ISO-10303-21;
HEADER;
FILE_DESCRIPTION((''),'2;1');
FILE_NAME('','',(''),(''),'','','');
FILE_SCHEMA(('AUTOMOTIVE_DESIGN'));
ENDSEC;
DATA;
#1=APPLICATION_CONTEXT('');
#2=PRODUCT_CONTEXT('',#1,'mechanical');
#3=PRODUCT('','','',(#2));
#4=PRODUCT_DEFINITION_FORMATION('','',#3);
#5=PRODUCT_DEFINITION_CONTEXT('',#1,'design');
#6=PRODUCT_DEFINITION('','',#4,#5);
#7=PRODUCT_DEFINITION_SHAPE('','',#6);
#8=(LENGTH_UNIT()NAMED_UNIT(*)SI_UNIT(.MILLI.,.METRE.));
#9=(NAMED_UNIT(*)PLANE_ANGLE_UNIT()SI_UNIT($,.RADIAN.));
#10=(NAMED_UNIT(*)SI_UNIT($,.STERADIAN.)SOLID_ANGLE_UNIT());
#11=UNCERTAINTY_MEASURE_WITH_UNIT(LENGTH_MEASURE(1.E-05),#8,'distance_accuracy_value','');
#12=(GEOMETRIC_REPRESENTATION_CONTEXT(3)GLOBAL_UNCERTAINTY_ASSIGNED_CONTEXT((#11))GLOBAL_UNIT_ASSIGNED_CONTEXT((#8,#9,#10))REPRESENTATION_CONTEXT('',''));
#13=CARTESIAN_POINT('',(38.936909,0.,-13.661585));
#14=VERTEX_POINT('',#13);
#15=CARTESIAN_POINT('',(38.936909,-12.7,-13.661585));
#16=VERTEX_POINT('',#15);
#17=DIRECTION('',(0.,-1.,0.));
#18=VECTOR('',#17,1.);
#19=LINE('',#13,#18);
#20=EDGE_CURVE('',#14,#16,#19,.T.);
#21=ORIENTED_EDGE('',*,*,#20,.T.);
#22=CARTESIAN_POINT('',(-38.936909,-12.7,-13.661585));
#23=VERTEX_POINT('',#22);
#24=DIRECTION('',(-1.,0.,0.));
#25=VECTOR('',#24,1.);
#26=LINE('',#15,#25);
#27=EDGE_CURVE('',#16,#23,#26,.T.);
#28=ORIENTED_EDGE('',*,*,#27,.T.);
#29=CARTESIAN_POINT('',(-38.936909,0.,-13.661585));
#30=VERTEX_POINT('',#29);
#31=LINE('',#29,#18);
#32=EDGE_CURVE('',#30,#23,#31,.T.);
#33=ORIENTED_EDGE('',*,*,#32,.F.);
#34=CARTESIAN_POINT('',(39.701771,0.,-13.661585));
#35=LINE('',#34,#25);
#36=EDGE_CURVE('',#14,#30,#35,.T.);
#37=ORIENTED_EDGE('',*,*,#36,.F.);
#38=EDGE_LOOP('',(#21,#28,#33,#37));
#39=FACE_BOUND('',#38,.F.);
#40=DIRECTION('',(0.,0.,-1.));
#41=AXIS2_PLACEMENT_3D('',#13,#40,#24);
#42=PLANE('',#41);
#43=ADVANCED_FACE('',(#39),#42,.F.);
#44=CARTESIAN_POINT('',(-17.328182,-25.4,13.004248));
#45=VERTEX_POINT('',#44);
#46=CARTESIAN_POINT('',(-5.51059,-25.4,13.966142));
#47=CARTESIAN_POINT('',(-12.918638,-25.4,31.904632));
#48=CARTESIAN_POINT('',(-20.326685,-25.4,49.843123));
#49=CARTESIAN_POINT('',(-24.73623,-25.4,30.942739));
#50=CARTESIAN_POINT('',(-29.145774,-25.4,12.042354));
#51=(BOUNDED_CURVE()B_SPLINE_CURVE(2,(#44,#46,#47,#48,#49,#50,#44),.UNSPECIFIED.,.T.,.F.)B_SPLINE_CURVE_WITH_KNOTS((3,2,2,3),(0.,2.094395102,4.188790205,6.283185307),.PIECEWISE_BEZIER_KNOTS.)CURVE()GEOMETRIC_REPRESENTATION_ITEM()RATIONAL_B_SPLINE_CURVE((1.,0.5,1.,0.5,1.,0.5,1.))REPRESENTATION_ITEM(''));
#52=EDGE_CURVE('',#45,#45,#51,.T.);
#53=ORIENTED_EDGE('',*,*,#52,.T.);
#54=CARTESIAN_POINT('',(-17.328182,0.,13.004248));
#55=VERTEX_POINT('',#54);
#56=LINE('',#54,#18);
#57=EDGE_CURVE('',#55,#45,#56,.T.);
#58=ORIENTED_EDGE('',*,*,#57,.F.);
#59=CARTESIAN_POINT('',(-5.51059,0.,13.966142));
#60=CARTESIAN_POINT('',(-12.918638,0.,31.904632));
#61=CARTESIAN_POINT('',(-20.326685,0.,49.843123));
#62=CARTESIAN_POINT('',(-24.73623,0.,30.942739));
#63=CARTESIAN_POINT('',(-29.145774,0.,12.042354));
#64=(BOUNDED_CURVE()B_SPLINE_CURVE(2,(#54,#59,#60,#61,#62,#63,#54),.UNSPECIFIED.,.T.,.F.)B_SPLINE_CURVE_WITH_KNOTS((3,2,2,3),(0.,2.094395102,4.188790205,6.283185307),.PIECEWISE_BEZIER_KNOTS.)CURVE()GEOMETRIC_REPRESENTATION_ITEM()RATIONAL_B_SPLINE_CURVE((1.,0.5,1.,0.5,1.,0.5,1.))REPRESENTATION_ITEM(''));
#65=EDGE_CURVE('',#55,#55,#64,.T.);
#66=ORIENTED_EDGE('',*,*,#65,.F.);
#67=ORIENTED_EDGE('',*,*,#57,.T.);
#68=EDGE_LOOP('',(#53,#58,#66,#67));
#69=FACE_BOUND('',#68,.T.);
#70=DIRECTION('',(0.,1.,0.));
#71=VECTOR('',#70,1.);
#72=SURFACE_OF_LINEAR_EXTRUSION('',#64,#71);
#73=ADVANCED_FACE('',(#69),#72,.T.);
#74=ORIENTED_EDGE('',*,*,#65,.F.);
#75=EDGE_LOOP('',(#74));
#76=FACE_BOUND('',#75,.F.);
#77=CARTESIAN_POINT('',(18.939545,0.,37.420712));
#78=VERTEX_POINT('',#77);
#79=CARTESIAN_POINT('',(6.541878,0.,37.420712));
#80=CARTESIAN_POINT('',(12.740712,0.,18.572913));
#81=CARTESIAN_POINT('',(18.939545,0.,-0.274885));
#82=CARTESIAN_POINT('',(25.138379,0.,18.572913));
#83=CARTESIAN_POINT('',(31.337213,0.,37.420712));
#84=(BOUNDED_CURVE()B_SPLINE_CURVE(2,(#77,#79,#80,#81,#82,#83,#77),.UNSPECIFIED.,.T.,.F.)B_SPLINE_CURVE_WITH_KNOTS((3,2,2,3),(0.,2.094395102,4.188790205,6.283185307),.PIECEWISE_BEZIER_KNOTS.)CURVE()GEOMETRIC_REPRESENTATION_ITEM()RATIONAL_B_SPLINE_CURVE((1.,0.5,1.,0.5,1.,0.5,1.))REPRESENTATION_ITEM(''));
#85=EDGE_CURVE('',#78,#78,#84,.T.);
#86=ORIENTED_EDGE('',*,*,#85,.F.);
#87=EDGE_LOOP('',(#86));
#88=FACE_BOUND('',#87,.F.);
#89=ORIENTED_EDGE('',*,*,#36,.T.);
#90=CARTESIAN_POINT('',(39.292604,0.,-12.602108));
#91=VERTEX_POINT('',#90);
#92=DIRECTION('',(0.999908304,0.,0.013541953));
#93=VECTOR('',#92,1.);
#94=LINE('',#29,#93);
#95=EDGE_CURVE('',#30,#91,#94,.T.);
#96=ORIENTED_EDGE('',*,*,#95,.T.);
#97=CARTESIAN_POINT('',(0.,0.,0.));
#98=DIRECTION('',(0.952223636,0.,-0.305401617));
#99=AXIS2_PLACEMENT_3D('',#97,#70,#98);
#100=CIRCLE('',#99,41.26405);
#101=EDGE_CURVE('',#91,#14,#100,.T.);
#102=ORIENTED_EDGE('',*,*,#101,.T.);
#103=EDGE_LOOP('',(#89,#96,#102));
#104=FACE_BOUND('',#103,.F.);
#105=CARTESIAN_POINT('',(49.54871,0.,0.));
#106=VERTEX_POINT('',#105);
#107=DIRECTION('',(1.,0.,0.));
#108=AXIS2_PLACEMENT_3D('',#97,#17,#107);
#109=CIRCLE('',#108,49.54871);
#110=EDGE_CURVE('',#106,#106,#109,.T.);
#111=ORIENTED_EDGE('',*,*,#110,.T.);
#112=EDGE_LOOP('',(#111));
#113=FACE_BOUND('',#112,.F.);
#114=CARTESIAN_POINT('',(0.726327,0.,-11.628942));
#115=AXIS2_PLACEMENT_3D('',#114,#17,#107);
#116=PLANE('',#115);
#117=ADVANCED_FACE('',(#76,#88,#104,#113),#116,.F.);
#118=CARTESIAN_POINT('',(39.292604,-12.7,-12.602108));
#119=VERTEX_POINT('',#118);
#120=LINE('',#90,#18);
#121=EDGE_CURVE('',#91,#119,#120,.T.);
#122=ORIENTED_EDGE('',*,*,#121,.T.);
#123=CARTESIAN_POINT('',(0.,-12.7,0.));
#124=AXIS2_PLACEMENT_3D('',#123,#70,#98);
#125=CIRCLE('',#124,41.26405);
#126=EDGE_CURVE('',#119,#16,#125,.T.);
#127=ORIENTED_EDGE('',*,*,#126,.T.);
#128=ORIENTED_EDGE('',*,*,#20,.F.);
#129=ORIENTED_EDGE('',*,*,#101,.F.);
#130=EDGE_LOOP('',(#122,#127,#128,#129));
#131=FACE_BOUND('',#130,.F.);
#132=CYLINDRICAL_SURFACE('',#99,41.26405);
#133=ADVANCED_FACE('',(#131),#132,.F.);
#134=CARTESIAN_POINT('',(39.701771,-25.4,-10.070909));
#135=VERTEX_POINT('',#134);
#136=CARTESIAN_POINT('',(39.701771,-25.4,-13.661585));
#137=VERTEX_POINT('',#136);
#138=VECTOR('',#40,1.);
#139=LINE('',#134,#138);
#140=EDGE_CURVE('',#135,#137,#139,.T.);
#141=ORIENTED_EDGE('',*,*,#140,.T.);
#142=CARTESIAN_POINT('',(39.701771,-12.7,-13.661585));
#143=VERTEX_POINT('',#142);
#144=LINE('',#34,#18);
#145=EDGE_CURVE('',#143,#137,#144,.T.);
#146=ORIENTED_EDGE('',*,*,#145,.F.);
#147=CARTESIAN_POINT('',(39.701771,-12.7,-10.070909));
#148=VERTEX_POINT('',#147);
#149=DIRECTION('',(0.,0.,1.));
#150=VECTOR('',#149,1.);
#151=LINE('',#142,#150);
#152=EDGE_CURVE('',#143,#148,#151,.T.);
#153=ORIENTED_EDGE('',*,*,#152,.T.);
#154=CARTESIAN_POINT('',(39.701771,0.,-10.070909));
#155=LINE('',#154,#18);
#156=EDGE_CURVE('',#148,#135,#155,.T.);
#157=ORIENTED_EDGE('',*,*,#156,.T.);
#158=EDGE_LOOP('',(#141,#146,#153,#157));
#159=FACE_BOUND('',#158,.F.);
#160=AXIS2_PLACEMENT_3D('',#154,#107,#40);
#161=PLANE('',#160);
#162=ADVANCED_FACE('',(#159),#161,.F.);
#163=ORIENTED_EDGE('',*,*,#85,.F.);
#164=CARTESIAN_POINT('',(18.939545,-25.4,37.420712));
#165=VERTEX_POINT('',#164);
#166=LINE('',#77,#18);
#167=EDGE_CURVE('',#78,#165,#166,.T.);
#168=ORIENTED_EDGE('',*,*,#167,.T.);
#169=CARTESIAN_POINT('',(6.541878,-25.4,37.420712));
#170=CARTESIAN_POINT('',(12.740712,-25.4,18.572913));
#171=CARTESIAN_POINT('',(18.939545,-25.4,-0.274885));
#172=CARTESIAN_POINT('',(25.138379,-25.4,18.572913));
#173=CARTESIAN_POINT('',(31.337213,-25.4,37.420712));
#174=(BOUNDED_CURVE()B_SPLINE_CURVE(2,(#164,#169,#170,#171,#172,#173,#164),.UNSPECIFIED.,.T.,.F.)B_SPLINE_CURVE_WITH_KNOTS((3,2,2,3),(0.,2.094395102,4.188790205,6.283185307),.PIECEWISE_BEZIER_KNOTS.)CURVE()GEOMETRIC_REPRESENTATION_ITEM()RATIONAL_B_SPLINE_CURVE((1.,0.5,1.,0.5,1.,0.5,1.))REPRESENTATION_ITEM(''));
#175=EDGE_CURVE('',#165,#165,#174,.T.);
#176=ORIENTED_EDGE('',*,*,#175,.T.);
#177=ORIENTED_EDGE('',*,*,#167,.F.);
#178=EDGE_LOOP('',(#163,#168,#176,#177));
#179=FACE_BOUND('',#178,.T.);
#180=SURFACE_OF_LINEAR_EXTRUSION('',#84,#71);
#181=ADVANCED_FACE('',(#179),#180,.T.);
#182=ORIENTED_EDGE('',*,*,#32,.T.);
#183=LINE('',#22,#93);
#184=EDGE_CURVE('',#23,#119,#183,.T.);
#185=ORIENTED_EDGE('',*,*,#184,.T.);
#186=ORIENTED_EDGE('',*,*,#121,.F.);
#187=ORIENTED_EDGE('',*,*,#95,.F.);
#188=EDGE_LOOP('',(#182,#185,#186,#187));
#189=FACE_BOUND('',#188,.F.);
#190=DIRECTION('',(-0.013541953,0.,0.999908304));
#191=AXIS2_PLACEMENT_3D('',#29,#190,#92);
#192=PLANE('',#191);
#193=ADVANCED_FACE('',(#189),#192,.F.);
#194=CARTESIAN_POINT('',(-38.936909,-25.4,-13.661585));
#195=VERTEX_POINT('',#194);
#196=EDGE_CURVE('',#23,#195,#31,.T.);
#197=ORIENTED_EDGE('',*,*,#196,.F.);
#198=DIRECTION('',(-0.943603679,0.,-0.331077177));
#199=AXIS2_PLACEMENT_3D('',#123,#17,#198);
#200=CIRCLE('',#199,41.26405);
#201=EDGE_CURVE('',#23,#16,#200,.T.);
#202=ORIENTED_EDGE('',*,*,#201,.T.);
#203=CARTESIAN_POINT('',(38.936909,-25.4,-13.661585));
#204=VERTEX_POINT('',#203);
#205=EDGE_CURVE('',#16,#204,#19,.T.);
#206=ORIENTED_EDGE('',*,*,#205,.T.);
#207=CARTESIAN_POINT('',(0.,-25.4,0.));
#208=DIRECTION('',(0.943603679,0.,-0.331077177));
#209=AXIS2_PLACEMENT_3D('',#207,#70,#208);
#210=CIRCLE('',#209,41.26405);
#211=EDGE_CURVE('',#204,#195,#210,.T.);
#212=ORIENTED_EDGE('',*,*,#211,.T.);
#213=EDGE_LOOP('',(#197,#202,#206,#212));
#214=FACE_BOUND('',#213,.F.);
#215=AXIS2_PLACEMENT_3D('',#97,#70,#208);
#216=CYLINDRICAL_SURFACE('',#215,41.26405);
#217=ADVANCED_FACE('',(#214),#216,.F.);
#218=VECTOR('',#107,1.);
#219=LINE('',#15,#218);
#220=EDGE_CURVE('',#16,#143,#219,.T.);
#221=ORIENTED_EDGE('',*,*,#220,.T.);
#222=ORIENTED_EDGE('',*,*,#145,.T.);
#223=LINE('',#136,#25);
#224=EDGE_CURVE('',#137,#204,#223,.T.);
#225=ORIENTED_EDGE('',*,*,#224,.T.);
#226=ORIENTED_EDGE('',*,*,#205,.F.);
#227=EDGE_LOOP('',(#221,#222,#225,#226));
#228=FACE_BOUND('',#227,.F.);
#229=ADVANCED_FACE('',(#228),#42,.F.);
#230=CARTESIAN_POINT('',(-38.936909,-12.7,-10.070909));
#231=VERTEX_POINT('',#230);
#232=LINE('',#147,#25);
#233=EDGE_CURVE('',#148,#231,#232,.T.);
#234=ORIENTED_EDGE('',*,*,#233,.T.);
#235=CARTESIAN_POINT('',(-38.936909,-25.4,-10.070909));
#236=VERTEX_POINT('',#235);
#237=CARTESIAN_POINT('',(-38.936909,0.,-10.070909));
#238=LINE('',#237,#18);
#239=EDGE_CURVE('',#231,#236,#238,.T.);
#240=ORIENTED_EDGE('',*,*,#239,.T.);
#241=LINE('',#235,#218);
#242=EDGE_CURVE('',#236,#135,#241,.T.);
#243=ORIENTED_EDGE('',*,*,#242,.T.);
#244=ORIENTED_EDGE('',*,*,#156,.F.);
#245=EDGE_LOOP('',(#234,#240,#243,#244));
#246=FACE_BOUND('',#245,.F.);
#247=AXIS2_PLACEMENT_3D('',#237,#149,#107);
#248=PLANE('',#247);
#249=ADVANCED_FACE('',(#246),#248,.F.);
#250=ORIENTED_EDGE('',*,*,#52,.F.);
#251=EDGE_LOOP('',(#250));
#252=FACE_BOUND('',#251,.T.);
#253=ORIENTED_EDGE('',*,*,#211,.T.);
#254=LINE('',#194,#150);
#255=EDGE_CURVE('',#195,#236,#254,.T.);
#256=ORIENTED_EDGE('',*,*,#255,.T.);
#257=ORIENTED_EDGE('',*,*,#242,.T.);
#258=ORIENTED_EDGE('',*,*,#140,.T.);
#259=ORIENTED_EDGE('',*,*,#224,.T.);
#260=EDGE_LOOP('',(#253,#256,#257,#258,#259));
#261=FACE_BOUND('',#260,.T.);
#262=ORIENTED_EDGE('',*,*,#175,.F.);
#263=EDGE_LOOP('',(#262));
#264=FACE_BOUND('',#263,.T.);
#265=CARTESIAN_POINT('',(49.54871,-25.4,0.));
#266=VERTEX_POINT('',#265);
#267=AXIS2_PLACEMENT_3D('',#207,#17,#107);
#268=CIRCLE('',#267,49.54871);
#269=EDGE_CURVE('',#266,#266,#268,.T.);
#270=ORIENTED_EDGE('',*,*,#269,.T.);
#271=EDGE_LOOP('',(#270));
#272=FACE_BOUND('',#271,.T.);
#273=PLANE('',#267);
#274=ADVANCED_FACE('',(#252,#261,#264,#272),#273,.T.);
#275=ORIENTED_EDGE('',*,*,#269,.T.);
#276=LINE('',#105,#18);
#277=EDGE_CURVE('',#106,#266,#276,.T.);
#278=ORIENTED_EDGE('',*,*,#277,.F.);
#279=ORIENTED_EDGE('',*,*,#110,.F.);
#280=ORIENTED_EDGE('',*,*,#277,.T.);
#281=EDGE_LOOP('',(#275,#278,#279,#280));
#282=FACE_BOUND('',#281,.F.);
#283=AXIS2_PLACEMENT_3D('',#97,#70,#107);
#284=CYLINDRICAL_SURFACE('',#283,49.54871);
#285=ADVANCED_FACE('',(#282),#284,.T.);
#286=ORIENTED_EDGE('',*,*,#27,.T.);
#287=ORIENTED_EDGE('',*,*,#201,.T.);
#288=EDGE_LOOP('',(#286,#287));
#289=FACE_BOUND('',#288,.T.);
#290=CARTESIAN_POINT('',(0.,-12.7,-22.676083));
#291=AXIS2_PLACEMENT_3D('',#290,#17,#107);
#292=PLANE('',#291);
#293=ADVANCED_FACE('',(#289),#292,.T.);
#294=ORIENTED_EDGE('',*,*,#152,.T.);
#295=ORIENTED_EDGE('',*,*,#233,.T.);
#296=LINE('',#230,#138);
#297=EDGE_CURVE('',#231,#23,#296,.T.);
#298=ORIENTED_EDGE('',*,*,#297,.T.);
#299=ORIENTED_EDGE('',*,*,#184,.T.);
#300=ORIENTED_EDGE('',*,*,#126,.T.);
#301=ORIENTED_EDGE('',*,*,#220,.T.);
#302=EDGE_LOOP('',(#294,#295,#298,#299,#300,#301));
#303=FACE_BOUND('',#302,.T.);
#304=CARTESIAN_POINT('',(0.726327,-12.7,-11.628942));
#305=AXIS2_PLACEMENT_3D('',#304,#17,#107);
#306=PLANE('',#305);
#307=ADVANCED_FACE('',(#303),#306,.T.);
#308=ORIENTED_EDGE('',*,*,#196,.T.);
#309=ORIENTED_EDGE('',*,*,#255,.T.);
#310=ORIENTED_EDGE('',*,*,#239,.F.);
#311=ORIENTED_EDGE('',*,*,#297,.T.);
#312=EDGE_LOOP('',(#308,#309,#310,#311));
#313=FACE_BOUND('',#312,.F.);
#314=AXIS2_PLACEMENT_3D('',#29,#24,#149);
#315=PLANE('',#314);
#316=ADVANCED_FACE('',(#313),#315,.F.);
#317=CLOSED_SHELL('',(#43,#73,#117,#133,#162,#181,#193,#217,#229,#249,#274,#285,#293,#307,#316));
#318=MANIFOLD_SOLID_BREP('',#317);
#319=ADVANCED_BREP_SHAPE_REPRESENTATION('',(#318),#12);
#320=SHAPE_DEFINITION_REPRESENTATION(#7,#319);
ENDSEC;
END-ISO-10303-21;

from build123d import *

# Parameters (mm, degrees)
F0_R     = 49.5487095178
F1_DEPTH = 25.4
F2_DEPTH = 12.7
F3_DEPTH = 12.7


with BuildPart() as f1:
    # F0 (on Front) → F1 (new body)
    with BuildSketch(Plane.XZ):
        Circle(F0_R)
        with BuildLine():
            Line((39.7017709911, -13.6615851751), (38.9369094103, -13.6615851751))
            ThreePointArc((38.9369094103, -13.6615851751), (0, -41.2640500184), (-38.9369094103, -13.6615851751))
            Line((-38.9369094103, -13.6615851751), (-38.9369094103, -10.0709088147))
            Line((-38.9369094103, -10.0709088147), (39.7017709911, -10.0709088147))
            Line((39.7017709911, -10.0709088147), (39.7017709911, -13.6615851751))
        make_face(mode=Mode.SUBTRACT)
        with BuildLine():
            add(Edge.make_bspline(
                [(-17.3281822354, 13.0042480305), (-5.5105900176, 13.9661418094), (-12.918637589, 31.904632496), (-20.3266851604, 49.8431231827), (-24.7362298067, 30.9427387171), (-29.1457744531, 12.0423542516), (-17.3281822354, 13.0042480305)],
                knots=[0, 0, 0, 2.0943951024, 2.0943951024, 4.1887902048, 4.1887902048, 6.2831853072, 6.2831853072, 6.2831853072], degree=2, weights=[1, 0.5, 1, 0.5, 1, 0.5, 1]))
        make_face(mode=Mode.SUBTRACT)
        with BuildLine():
            add(Edge.make_bspline(
                [(18.9395453781, 37.4207124114), (6.5418776512, 37.4207124114), (12.7407115146, 18.5729134828), (18.9395453781, -0.2748854458), (25.1383792415, 18.5729134828), (31.337213105, 37.4207124114), (18.9395453781, 37.4207124114)],
                knots=[0, 0, 0, 2.0943951024, 2.0943951024, 4.1887902048, 4.1887902048, 6.2831853072, 6.2831853072, 6.2831853072], degree=2, weights=[1, 0.5, 1, 0.5, 1, 0.5, 1]))
        make_face(mode=Mode.SUBTRACT)
    extrude(amount=F1_DEPTH)

    # F0 (on Front) → F2 (join)
    with BuildSketch(Plane.XZ):
        with BuildLine():
            ThreePointArc((-38.9369094103, -13.6615851751), (0, -41.2640500184), (38.9369094103, -13.6615851751))
            Line((38.9369094103, -13.6615851751), (-38.9369094103, -13.6615851751))
        make_face()
    extrude(amount=F2_DEPTH)

    # F0 (on Front) → F3 (join)
    with BuildSketch(Plane.XZ):
        with BuildLine():
            Line((-38.9369094103, -13.6615851751), (39.2926037312, -12.6021075994))
            ThreePointArc((39.2926037312, -12.6021075994), (39.1183435842, -13.1330506414), (38.9369094103, -13.6615851751))
            Line((38.9369094103, -13.6615851751), (39.7017709911, -13.6615851751))
            Line((39.7017709911, -13.6615851751), (39.7017709911, -10.0709088147))
            Line((39.7017709911, -10.0709088147), (-38.9369094103, -10.0709088147))
            Line((-38.9369094103, -10.0709088147), (-38.9369094103, -13.6615851751))
        make_face()
    extrude(amount=F3_DEPTH)


solid = f1.part
